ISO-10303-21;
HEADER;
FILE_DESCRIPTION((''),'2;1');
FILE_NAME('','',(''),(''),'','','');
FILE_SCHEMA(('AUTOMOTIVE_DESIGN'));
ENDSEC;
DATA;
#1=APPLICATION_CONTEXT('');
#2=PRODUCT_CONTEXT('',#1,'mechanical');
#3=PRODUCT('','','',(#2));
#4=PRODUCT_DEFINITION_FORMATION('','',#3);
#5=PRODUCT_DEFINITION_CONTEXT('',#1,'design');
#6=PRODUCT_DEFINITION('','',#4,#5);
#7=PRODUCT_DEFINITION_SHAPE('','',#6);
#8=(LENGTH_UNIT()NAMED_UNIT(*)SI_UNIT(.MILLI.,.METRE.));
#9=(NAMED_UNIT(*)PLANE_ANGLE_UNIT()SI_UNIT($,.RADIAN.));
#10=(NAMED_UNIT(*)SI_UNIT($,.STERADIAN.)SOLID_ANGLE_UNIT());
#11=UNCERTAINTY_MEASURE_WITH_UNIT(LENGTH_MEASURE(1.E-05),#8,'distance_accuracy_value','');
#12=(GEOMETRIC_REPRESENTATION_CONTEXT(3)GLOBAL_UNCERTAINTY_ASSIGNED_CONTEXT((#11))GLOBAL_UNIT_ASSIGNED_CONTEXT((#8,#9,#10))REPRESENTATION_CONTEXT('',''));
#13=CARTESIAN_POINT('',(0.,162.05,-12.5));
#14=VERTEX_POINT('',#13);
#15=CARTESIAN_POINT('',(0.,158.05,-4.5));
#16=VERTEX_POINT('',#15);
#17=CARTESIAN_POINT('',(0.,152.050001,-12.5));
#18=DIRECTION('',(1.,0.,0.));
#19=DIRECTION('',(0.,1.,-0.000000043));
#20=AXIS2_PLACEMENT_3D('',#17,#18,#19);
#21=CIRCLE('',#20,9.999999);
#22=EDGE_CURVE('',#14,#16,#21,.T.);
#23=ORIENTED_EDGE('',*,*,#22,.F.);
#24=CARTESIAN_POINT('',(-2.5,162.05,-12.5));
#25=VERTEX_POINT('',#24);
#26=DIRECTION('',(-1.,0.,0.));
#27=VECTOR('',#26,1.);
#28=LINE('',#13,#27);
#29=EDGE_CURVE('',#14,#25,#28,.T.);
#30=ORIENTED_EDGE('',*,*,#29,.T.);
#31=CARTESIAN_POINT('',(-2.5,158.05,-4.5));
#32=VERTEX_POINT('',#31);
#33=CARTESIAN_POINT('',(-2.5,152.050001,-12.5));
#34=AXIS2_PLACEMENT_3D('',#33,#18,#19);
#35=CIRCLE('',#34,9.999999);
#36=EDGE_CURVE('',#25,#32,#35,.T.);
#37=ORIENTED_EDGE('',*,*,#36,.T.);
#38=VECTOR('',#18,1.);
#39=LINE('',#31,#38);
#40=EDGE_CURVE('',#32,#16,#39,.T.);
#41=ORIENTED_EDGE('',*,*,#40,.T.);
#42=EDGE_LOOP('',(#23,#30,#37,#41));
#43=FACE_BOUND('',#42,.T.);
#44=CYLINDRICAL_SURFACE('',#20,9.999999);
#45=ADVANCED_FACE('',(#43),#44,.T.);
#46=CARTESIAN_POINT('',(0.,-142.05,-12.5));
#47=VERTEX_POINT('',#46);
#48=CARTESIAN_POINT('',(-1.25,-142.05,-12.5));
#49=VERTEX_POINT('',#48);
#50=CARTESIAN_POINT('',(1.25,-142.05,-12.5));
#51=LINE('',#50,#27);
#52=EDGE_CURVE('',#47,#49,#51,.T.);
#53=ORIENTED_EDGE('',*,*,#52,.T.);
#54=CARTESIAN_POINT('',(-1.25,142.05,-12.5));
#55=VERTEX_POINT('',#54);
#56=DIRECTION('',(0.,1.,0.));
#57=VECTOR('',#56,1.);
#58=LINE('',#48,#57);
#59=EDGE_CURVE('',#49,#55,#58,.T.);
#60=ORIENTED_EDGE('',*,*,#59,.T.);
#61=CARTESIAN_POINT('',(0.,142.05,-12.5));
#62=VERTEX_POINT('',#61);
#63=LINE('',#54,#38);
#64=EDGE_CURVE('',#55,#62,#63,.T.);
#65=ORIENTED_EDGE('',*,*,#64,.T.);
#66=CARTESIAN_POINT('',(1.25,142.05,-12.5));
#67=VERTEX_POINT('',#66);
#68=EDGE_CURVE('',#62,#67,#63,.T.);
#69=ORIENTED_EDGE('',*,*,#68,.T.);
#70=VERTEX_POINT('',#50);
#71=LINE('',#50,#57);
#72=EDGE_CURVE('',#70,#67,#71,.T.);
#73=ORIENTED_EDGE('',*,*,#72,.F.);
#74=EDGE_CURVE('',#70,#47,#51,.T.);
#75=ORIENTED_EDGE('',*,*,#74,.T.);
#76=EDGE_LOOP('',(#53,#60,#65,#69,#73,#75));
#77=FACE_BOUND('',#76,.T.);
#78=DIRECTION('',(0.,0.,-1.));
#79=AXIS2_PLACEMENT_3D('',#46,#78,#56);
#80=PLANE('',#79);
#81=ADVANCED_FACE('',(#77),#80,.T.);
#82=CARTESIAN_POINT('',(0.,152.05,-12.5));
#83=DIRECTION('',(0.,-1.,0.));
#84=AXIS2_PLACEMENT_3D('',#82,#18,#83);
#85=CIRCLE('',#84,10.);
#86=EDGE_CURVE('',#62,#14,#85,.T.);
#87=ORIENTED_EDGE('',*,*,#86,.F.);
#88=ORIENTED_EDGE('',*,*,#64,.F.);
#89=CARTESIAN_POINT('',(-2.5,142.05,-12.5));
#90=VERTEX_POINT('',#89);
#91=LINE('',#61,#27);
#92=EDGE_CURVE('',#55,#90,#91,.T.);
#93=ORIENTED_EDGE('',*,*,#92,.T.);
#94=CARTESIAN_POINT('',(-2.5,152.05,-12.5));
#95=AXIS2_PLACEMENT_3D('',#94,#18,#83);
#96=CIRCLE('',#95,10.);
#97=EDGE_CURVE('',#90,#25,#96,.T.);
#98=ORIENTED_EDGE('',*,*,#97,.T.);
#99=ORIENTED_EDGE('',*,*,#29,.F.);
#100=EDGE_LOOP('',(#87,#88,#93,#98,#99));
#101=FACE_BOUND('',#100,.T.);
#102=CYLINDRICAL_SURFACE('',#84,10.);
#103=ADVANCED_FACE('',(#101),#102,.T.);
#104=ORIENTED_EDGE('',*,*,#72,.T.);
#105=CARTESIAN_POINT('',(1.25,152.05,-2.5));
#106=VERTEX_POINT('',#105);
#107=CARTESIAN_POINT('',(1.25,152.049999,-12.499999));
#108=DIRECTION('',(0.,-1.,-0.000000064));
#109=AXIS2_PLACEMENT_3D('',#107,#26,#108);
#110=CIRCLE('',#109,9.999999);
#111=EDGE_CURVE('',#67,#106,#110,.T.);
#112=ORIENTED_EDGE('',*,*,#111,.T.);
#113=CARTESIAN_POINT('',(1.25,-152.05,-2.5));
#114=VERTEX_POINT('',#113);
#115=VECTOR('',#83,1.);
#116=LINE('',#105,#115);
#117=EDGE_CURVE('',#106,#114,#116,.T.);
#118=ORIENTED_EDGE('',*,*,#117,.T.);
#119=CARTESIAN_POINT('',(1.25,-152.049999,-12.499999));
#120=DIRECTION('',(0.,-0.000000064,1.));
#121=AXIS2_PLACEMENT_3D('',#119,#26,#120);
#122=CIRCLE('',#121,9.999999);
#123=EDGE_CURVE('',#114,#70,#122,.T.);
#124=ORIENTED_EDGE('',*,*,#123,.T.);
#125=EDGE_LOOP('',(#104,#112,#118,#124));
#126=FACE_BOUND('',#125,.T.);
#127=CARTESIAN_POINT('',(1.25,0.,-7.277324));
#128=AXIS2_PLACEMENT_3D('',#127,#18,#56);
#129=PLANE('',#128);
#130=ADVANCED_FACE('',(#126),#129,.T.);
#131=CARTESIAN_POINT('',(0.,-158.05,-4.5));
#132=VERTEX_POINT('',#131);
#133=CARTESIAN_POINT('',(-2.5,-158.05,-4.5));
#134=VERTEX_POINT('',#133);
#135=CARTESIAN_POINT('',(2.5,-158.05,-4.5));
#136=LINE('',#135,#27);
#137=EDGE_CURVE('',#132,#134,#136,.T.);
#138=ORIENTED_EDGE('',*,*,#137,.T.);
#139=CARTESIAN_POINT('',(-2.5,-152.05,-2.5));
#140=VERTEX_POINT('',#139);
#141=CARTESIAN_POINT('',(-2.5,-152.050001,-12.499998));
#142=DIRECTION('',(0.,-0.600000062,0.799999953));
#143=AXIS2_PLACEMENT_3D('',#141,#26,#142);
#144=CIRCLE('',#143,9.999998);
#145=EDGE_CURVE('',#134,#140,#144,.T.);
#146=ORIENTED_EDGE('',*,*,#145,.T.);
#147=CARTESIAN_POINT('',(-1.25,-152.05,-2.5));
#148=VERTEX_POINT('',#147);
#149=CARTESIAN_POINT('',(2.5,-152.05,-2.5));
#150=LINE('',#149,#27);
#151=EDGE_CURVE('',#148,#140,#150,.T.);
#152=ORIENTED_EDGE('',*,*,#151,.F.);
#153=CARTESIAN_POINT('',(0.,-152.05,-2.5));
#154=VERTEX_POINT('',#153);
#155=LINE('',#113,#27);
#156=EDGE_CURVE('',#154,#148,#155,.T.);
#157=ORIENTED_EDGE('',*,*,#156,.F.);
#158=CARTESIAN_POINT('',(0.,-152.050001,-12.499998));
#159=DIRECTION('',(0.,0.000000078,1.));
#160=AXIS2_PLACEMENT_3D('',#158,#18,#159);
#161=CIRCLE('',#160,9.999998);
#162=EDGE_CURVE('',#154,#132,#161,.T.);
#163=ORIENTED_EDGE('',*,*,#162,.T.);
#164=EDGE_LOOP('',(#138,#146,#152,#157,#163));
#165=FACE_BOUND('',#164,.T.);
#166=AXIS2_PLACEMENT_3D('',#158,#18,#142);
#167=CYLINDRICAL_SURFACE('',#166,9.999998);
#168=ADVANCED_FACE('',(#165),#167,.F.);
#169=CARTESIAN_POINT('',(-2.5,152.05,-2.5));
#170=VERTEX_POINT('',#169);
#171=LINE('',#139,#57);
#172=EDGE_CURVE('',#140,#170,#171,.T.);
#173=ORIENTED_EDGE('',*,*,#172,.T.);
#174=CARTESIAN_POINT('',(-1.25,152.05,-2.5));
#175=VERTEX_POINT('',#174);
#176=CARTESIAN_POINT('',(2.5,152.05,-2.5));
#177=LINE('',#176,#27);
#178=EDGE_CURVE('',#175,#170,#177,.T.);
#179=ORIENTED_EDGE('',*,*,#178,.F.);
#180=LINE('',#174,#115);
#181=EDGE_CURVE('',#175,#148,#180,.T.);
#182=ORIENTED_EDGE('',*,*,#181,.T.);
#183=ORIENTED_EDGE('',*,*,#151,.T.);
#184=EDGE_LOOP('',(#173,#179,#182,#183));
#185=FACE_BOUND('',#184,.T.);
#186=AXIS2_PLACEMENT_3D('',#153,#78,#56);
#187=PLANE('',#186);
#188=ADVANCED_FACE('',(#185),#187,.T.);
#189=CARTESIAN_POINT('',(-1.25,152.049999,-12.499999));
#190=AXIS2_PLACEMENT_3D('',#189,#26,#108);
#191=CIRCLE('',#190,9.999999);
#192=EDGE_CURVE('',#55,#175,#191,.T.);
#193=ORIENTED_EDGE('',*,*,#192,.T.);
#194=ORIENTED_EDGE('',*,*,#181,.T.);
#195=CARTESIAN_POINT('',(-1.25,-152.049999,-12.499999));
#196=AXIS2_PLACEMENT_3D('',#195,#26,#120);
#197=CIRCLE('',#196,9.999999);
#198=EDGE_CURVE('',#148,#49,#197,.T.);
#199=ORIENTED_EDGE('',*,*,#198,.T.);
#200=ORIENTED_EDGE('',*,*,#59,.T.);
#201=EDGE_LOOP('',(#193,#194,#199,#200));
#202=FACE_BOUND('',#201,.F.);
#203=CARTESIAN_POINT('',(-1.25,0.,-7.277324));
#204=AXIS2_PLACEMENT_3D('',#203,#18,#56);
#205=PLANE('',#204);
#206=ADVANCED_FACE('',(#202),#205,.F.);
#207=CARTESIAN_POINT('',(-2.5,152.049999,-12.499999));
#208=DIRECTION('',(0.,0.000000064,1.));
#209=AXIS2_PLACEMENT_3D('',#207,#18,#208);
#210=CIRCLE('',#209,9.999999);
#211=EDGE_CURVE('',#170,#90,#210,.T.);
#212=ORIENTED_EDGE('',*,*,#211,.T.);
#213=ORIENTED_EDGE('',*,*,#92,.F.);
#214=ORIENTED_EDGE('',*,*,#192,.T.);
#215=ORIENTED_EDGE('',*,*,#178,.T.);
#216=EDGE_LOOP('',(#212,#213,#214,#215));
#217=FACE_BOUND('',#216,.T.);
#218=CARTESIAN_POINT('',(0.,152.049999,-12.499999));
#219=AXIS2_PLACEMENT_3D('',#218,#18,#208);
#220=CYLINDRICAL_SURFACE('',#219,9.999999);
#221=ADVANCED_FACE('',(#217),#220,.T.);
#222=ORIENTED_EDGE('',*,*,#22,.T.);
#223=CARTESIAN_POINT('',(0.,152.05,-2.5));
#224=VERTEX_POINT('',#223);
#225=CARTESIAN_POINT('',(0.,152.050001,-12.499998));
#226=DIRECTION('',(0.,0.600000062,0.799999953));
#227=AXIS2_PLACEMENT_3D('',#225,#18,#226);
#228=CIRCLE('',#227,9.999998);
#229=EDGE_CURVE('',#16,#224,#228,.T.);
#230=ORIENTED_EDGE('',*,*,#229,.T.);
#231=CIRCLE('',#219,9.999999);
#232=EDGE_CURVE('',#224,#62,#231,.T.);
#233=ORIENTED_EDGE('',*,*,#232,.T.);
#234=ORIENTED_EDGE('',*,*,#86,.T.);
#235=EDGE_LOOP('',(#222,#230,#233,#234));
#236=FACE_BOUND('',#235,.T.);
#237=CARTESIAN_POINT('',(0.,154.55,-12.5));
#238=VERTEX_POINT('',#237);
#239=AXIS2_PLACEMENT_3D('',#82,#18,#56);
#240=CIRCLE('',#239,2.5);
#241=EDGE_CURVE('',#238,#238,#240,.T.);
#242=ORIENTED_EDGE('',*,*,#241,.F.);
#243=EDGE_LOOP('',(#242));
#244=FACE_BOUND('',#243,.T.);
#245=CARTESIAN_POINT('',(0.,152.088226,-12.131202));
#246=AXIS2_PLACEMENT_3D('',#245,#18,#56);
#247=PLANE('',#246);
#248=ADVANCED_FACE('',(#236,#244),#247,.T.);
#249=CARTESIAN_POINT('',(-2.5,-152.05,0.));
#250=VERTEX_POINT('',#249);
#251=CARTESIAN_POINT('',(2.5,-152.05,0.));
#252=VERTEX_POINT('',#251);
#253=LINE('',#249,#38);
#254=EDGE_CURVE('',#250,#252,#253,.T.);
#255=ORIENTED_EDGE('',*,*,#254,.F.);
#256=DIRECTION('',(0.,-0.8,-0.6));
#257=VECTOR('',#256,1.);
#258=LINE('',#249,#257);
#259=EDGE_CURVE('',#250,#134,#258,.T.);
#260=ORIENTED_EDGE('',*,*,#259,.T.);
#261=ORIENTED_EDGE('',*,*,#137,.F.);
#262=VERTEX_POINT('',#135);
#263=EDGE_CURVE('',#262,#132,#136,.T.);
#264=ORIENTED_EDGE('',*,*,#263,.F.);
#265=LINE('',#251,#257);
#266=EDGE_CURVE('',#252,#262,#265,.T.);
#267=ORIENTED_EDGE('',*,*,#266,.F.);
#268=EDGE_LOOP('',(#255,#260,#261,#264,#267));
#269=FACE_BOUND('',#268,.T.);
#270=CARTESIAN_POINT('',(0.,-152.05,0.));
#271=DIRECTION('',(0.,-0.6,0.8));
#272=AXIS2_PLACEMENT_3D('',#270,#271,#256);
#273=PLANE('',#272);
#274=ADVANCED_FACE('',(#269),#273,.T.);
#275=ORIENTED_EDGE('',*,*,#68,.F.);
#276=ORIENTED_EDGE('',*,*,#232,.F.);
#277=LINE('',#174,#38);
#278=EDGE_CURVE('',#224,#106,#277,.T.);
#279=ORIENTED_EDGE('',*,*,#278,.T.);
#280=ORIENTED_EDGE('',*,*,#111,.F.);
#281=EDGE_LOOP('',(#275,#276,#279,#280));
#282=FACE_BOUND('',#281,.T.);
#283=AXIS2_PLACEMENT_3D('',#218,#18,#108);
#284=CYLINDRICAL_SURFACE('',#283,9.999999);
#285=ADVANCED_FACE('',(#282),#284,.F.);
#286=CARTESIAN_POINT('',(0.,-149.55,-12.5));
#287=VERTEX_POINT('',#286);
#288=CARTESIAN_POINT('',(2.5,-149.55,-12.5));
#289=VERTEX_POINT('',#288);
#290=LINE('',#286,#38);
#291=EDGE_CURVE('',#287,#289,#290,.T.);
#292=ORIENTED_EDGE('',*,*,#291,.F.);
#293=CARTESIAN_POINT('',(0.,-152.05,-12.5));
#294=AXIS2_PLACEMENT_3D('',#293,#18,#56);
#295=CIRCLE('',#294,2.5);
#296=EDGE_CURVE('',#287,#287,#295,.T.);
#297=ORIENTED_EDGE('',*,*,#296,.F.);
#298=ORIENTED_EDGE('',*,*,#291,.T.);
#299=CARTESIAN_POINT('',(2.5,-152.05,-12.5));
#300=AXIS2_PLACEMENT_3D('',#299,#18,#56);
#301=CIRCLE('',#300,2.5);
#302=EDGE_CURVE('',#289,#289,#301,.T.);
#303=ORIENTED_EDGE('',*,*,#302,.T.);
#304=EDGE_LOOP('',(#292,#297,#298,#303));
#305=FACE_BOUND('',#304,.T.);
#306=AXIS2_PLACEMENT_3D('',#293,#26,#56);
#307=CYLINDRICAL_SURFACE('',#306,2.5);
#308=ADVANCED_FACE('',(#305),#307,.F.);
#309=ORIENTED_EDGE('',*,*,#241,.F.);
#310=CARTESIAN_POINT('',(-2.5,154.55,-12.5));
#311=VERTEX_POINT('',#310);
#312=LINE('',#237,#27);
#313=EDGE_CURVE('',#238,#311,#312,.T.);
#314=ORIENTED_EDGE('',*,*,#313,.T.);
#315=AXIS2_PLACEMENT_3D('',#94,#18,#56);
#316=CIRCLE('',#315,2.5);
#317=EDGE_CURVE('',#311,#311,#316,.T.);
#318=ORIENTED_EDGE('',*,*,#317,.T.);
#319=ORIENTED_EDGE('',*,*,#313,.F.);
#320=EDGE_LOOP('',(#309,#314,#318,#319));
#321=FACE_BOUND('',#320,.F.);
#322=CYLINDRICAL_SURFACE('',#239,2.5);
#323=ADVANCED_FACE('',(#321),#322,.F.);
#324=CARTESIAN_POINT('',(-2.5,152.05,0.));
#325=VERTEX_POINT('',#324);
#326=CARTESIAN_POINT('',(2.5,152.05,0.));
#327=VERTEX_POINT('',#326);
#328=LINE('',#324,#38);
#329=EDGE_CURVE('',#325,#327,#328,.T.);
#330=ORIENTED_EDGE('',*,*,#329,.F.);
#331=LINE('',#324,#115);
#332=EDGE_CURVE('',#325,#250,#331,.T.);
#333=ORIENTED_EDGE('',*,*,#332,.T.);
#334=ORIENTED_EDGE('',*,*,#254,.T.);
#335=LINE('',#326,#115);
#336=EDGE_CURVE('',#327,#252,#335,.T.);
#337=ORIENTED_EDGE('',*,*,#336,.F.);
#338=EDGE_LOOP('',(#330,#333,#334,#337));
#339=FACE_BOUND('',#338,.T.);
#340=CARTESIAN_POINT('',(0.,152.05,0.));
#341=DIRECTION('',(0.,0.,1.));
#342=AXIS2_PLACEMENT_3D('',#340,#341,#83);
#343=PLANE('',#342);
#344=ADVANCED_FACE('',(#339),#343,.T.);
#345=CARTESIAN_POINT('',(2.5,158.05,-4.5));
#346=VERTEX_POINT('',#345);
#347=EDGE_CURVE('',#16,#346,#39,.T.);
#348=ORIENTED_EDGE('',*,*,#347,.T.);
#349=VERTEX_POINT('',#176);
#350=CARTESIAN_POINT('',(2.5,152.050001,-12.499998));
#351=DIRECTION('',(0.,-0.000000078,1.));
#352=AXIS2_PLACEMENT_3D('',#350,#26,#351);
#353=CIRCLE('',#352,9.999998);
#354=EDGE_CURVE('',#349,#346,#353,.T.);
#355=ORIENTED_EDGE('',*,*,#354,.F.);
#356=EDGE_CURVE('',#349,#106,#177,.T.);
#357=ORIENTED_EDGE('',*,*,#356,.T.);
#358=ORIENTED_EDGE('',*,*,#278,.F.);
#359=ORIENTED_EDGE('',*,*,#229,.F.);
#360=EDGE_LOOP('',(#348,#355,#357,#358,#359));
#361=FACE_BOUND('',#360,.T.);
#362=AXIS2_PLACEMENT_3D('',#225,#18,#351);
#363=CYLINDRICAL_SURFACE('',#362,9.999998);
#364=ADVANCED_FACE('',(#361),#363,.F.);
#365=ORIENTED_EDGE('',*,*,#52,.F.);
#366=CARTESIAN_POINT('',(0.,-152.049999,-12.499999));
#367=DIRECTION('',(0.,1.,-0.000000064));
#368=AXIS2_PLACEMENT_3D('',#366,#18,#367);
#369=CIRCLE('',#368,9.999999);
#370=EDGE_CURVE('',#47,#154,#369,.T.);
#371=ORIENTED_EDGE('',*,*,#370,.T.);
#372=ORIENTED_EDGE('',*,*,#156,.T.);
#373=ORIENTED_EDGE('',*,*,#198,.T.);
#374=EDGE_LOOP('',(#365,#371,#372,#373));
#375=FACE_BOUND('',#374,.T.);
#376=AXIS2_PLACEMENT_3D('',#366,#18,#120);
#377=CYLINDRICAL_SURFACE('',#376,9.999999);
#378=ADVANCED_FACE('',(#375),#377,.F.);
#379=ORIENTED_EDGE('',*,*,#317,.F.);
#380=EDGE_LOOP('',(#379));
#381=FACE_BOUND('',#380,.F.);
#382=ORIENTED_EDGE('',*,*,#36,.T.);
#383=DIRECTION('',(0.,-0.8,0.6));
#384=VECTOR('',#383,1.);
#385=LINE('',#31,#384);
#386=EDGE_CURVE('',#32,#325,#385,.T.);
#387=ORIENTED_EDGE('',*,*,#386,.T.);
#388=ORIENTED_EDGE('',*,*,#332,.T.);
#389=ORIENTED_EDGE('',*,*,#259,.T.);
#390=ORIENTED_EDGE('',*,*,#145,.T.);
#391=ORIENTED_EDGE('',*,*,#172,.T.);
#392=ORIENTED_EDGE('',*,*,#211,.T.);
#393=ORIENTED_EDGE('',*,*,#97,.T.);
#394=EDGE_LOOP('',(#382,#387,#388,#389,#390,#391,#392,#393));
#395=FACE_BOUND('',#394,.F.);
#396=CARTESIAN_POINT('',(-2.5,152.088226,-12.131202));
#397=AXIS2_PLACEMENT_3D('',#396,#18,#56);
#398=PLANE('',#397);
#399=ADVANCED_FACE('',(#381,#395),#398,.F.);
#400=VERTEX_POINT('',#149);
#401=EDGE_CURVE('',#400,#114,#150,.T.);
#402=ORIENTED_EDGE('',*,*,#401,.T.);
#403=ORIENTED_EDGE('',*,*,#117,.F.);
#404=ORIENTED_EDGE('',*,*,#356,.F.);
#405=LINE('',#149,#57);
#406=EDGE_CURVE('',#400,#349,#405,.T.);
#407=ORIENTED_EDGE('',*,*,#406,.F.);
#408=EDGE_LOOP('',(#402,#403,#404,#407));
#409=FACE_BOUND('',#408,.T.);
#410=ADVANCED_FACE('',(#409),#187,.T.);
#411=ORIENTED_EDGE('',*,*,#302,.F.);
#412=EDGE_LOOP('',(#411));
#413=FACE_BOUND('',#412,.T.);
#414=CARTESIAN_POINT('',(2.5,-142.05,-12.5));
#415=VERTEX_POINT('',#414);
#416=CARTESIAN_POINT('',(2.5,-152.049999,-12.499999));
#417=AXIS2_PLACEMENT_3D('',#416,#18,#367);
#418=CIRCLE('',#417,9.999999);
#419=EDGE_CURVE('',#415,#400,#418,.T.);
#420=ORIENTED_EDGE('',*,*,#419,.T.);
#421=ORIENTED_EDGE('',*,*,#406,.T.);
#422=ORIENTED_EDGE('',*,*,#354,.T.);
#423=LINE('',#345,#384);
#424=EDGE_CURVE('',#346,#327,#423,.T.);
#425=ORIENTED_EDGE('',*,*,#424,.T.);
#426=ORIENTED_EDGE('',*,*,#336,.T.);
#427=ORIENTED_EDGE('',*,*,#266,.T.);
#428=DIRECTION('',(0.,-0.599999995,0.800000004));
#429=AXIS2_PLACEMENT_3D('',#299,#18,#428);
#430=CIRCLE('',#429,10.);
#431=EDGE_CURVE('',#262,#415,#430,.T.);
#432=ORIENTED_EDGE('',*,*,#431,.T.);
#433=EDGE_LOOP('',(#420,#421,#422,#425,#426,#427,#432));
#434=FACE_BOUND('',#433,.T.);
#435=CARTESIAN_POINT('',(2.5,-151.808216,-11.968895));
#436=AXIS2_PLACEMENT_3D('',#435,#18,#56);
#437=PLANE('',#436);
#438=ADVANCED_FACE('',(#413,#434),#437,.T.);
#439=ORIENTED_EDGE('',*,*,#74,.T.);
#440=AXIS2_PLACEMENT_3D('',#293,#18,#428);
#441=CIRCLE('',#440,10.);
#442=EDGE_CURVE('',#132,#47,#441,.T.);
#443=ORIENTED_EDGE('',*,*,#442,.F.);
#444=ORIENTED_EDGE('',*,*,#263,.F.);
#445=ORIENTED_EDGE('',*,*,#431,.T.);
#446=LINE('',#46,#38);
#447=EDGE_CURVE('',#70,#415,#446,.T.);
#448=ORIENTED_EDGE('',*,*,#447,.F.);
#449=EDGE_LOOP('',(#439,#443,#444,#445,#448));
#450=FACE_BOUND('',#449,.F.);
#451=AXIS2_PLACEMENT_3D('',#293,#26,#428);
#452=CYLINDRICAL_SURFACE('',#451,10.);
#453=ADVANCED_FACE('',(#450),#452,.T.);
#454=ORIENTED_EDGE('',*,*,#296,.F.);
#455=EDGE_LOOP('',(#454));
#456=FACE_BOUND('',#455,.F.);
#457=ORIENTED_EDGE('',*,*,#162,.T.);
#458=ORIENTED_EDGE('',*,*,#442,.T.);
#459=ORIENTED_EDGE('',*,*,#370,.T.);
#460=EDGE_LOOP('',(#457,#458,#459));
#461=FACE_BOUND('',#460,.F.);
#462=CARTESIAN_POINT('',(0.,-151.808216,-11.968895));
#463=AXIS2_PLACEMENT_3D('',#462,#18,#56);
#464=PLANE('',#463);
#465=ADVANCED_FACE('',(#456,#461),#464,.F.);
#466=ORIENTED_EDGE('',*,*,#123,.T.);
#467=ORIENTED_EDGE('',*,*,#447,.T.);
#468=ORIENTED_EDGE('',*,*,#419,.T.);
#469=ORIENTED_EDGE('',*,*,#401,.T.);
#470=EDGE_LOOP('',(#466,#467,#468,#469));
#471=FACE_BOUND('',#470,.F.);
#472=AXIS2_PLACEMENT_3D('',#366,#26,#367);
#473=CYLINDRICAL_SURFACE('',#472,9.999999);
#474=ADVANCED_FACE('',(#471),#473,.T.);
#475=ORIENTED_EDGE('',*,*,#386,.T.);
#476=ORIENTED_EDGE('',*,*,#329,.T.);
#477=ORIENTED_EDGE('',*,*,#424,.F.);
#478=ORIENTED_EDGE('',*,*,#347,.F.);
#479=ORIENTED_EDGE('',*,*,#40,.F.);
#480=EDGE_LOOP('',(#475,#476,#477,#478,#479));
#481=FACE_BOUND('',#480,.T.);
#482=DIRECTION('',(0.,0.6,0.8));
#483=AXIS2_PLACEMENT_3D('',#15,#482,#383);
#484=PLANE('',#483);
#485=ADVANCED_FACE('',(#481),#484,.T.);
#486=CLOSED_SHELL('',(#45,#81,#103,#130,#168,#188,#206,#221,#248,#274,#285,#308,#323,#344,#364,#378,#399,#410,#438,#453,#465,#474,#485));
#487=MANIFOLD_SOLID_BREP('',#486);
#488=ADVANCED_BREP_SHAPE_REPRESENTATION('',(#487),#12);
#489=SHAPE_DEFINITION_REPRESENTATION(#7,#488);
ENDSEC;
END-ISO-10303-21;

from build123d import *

# Parameters (mm, degrees)
F1_DEPTH = 2.5
F2_DEPTH = 1.25
F0_R     = 2.5
F3_DEPTH = 2.5
F4_DEPTH = 2.5


with BuildPart() as f1:
    # F0 (on Right) → F1 (new body, symmetric)
    with BuildSketch(Plane.YZ):
        with BuildLine():
            ThreePointArc((152.05, -2.5), (155.212278, -3.013167), (158.05, -4.5))
            Line((158.05, -4.5), (152.05, 0))
            Line((152.05, 0), (-152.05, 0))
            Line((-152.05, 0), (-158.05, -4.5))
            ThreePointArc((-158.05, -4.5), (-155.212278, -3.013167), (-152.05, -2.5))
            Line((-152.05, -2.5), (152.05, -2.5))
        make_face()
    extrude(amount=F1_DEPTH, both=True)



with BuildPart() as f2:
    # F0 (on Right) → F2 (new body, symmetric)
    with BuildSketch(Plane.YZ):
        with BuildLine():
            Line((-142.05, -12.5), (142.05, -12.5))
            ThreePointArc((142.05, -12.5), (144.978932, -5.428932), (152.05, -2.5))
            Line((152.05, -2.5), (-152.05, -2.5))
            ThreePointArc((-152.05, -2.5), (-144.978932, -5.428932), (-142.05, -12.5))
        make_face()
    extrude(amount=F2_DEPTH, both=True)


with BuildPart() as f1_1:
    add(f1.part)

    add(f2.part)  # F3 merges F2
    # F0 (on Right) → F3 (join)
    with BuildSketch(Plane.YZ):
        with BuildLine():
            ThreePointArc((-158.05, -4.5), (-156.522136, -21.444272), (-142.05, -12.5))
            ThreePointArc((-142.05, -12.5), (-144.978932, -5.428932), (-152.05, -2.5))
            ThreePointArc((-152.05, -2.5), (-155.212278, -3.013167), (-158.05, -4.5))
        make_face()
        with Locations((-152.05, -12.5)):
            Circle(F0_R, mode=Mode.SUBTRACT)
    extrude(amount=F3_DEPTH)

    # F0 (on Right) → F4 (join)
    with BuildSketch(Plane.YZ):
        with BuildLine():
            ThreePointArc((142.05, -12.5), (152.05, -22.5), (162.05, -12.5))
            ThreePointArc((162.05, -12.5), (160.994272, -8.027864), (158.05, -4.5))
            ThreePointArc((158.05, -4.5), (155.212278, -3.013167), (152.05, -2.5))
            ThreePointArc((152.05, -2.5), (144.978932, -5.428932), (142.05, -12.5))
        make_face()
        with Locations((152.05, -12.5)):
            Circle(F0_R, mode=Mode.SUBTRACT)
    extrude(amount=-F4_DEPTH)


solid = f1_1.part
